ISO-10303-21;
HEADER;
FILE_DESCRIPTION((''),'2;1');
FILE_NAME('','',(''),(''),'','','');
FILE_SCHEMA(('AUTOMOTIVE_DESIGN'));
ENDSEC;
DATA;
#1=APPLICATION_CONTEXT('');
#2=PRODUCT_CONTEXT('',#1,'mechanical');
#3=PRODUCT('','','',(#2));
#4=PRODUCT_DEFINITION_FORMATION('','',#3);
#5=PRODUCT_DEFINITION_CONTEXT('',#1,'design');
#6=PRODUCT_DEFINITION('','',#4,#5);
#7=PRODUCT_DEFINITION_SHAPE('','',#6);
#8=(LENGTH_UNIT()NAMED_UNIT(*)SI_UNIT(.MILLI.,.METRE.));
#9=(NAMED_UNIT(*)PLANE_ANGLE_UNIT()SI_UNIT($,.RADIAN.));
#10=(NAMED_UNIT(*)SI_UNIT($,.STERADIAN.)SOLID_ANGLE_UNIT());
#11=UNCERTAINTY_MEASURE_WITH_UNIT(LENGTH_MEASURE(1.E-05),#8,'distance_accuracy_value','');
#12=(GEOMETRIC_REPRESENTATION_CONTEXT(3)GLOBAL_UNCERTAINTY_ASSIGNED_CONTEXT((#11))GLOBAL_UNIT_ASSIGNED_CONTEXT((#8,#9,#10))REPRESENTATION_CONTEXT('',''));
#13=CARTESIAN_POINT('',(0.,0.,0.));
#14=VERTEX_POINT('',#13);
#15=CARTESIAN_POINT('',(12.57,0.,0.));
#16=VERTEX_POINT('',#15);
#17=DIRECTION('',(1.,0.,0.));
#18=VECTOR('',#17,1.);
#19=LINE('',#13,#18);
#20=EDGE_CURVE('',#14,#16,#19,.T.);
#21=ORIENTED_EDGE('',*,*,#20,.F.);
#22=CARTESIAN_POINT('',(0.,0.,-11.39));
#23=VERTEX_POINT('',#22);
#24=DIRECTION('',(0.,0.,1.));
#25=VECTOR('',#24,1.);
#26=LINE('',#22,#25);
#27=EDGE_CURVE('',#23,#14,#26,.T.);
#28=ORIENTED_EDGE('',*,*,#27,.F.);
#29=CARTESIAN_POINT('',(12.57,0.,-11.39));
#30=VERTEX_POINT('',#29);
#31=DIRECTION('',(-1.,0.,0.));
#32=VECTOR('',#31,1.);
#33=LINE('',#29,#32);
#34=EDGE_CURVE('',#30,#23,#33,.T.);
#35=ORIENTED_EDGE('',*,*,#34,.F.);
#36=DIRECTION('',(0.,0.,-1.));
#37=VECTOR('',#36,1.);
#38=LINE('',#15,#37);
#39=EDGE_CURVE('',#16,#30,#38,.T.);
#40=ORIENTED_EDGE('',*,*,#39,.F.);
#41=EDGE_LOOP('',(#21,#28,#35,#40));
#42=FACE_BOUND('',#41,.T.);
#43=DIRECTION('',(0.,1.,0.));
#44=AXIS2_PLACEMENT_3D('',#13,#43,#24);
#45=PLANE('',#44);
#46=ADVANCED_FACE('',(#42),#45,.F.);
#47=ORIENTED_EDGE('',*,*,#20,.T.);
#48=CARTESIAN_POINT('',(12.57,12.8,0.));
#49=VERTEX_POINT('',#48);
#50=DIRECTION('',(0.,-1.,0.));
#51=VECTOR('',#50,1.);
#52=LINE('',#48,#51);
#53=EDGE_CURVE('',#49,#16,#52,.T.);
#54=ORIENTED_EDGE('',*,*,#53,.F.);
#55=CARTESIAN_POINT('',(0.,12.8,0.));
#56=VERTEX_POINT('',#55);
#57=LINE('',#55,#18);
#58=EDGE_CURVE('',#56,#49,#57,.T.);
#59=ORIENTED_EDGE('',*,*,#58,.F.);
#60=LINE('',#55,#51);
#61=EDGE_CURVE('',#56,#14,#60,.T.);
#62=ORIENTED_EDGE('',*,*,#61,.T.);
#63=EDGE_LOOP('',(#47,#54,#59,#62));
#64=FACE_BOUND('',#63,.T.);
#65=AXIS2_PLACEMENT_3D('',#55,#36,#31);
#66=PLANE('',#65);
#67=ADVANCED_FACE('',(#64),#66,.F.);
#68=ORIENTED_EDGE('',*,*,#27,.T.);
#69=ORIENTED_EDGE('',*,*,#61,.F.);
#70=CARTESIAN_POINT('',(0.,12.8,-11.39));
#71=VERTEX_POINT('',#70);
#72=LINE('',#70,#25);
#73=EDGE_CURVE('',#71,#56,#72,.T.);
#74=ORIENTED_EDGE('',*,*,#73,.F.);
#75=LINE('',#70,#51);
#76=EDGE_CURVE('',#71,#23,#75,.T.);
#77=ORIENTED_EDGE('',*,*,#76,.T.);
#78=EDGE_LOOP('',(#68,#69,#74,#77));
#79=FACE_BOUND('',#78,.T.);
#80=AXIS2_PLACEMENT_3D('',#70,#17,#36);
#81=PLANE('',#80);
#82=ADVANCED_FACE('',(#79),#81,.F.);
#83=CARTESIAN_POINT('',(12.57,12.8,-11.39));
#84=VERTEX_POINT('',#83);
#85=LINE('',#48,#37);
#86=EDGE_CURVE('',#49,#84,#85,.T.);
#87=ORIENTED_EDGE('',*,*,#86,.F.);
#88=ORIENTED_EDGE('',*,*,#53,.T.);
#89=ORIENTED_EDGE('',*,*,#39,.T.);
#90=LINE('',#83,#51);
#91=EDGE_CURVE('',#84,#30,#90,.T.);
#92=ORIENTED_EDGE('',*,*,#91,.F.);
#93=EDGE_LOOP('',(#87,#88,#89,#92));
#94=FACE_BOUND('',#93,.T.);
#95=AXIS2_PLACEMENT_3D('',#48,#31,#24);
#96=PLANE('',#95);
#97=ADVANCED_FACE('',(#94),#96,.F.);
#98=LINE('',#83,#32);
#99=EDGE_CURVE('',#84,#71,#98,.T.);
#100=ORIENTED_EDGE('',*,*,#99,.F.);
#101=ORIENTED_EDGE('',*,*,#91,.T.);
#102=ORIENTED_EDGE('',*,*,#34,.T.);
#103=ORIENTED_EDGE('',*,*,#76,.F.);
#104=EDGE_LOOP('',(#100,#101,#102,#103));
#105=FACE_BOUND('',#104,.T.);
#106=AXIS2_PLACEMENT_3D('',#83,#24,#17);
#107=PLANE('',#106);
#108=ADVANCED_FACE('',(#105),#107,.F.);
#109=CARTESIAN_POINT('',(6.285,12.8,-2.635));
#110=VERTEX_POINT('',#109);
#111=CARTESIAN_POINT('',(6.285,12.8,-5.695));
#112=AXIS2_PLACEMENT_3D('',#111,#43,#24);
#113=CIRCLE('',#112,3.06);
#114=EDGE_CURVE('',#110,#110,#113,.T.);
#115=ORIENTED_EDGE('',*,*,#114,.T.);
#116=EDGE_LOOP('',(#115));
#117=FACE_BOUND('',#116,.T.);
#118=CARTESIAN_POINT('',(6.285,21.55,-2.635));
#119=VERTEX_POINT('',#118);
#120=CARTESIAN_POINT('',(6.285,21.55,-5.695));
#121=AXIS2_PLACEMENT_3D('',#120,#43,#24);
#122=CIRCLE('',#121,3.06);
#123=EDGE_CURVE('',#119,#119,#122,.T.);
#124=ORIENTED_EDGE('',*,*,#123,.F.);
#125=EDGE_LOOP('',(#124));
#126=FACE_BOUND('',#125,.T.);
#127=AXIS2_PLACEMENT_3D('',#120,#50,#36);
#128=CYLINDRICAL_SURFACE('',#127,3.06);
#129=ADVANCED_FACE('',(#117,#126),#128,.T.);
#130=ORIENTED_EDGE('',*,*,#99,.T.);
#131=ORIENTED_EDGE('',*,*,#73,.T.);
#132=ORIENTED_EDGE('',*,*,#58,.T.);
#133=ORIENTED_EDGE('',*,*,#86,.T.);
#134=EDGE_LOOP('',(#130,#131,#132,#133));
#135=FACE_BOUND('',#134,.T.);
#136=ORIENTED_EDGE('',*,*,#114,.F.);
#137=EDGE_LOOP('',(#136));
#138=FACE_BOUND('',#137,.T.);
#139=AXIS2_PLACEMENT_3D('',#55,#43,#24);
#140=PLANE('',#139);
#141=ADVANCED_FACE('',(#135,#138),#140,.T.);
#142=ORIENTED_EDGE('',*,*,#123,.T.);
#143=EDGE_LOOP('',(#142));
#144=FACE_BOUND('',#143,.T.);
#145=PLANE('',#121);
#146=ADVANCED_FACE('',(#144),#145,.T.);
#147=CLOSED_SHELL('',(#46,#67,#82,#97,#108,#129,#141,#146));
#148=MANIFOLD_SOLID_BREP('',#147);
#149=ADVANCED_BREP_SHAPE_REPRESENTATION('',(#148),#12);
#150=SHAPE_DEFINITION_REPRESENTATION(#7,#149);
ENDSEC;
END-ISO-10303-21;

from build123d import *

# Parameters (mm, degrees)
SKETCH1_W           = 12.57
SKETCH1_H           = 11.39
BOSS_EXTRUDE1_DEPTH = 12.8
SKETCH2_R           = 3.06
BOSS_EXTRUDE2_DEPTH = 8.75


with BuildPart() as part:
    # Sketch1 → Boss-Extrude1 (new body)
    with BuildSketch(Plane(origin=(0, 0, 0), x_dir=(1, 0, 0), z_dir=(0, 1, 0))):
        with Locations((6.285, 5.695)):
            Rectangle(SKETCH1_W, SKETCH1_H)
    extrude(amount=BOSS_EXTRUDE1_DEPTH)

    # Sketch2 → Boss-Extrude2 (add)
    with BuildSketch(Plane(origin=(0, 12.8, 0), x_dir=(1, 0, 0), z_dir=(0, 1, 0))):
        with Locations(Location((6.285, 5.695, 0), (0, 0, 270))):
            Circle(SKETCH2_R)
    extrude(amount=BOSS_EXTRUDE2_DEPTH)


solid = part.part
